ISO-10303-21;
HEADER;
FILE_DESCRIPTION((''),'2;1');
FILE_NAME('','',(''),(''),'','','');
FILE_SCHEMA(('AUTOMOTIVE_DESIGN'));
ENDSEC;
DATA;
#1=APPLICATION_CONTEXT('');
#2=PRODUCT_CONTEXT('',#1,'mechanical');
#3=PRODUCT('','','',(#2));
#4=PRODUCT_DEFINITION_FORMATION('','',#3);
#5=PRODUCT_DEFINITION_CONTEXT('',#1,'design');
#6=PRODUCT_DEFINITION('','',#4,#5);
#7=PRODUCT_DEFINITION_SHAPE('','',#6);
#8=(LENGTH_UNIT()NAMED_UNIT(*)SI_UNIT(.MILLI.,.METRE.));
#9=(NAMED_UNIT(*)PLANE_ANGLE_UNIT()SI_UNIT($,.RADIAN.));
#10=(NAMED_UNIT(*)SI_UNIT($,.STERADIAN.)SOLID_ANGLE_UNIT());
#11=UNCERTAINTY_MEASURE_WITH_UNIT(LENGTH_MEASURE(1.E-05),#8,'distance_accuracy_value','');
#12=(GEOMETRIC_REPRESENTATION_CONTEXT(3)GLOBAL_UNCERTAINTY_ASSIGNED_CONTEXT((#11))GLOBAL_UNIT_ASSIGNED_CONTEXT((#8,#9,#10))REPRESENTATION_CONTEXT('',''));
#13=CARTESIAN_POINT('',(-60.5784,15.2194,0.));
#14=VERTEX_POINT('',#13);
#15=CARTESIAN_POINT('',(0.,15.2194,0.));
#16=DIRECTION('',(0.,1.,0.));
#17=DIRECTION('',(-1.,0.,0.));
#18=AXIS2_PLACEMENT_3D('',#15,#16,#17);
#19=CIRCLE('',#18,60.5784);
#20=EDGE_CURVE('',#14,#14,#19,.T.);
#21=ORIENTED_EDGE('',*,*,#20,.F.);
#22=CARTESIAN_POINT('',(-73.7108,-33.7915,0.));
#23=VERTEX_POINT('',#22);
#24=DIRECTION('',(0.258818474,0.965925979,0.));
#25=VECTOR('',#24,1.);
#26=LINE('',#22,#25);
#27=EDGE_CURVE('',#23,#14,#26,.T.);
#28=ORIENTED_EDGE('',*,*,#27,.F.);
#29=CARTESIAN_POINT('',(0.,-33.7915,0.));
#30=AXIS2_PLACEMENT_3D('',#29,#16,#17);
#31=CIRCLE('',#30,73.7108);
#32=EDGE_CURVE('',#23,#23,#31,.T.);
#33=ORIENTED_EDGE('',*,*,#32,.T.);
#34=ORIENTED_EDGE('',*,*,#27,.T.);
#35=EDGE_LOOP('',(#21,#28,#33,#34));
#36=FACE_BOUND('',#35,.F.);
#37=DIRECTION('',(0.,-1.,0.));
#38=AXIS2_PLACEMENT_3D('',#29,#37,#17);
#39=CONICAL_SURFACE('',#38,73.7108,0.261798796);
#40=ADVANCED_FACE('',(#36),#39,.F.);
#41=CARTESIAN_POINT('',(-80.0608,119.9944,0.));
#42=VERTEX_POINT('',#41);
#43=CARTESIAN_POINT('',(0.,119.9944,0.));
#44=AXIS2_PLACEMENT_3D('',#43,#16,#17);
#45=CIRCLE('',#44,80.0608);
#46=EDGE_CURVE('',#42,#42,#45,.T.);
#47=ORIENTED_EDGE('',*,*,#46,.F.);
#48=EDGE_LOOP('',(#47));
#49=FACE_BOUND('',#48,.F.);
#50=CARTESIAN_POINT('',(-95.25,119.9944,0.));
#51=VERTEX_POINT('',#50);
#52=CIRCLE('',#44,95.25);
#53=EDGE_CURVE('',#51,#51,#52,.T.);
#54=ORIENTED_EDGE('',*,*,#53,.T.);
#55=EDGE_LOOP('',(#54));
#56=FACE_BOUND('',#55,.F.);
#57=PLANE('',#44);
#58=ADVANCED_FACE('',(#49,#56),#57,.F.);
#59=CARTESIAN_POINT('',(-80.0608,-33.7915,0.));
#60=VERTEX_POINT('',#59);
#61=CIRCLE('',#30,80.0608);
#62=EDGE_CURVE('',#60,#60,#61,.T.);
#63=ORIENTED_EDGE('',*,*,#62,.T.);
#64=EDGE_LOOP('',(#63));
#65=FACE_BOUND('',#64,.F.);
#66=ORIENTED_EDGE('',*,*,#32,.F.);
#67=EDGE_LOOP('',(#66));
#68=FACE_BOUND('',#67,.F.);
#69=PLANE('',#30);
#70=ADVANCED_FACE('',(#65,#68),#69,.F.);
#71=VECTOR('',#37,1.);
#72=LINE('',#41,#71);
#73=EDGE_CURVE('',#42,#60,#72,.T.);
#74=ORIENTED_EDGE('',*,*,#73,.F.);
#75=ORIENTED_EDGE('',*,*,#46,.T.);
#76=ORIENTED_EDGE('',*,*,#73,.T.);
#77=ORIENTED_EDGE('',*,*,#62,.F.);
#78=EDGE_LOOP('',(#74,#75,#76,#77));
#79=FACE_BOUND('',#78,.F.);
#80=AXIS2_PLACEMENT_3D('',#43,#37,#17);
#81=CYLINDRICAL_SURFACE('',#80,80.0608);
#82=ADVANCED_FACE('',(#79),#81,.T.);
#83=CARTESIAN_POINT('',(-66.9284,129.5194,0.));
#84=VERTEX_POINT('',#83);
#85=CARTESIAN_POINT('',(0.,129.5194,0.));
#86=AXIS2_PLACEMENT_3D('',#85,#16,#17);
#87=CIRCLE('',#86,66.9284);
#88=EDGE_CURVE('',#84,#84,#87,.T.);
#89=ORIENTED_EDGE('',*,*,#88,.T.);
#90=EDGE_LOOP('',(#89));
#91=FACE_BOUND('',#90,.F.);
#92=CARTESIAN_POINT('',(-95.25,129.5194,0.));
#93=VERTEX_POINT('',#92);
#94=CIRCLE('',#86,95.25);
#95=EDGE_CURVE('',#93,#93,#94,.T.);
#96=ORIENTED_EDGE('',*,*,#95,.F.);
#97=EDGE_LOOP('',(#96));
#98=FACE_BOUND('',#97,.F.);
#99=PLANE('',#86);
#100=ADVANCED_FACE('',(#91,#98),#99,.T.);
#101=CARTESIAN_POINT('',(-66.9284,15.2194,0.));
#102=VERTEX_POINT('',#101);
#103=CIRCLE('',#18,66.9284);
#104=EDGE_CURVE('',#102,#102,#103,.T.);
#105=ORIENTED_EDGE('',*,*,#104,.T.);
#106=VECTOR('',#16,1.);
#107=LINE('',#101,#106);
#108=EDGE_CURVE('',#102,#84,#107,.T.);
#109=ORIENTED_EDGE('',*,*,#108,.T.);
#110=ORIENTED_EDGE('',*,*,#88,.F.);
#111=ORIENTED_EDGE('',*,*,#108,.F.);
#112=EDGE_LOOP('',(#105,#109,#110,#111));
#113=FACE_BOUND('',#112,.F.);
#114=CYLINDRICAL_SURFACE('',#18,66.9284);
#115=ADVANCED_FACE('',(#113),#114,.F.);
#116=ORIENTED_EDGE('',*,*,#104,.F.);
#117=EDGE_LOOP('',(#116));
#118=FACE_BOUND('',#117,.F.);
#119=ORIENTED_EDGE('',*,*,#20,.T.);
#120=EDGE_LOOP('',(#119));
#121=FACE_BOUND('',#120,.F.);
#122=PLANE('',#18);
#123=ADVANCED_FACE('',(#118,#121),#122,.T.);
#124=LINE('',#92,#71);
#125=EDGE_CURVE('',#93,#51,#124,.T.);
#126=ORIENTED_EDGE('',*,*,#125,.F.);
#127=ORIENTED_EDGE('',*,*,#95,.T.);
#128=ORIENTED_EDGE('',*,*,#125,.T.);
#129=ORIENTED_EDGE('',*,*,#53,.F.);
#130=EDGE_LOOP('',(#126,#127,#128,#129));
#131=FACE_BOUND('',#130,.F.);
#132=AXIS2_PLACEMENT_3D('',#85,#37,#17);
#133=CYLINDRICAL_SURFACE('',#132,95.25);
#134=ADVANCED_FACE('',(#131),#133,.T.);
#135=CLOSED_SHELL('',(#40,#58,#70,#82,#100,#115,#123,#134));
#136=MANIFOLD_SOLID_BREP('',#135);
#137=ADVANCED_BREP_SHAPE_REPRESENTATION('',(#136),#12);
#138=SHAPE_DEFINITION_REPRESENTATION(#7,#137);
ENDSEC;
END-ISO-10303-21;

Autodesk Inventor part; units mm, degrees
ref_plane "YZ Plane" through (0, 0, 0) normal (1, 0, 0) x (0, 1, 0)
ref_plane "XZ Plane" through (0, 0, 0) normal (0, 1, 0) x (-1, 0, 0)
ref_plane "XY Plane" through (0, 0, 0) normal (0, 0, 1) x (1, 0, 0)
sketch "Sketch1" plane through (0, 0, 0) normal (0, 0, 1) x (1, 0, 0)
  line L0 (-80.0608, -33.7915) -> (-73.7108, -33.7915)
  line L1 (-73.7108, -33.7915) -> (-60.5784, 15.2194)
  line L2 (-60.5784, 15.2194) -> (-66.9284, 15.2194)
  line L3 (-66.9284, 15.2194) -> (-66.9284, 129.5194)
  line L4 (-66.9284, 129.5194) -> (-95.25, 129.5194)
  line L5 (-95.25, 129.5194) -> (-95.25, 119.9944)
  line L6 (-95.25, 119.9944) -> (-80.0608, 119.9944)
  line L7 (-80.0608, 119.9944) -> (-80.0608, -33.7915)
  line L8 (0, -66.4537) -> (0, 162.1816) projected
  point P0 (0, 0)
  dimension "d0" = 6.35
  dimension "d1" = 105
  dimension "d2" = 6.35
  dimension "d3" = 114.3
  dimension "d4" = 73.7108
  dimension "d6" = 9.525
  dimension "d8" = 15.1892
  dimension "d10" = 60.5784
revolve "Revolution1" add sketch "Sketch1" angle 360 about axis through (0, -10, 0) along (0, 1, 0)
properties part number "Carrier"
